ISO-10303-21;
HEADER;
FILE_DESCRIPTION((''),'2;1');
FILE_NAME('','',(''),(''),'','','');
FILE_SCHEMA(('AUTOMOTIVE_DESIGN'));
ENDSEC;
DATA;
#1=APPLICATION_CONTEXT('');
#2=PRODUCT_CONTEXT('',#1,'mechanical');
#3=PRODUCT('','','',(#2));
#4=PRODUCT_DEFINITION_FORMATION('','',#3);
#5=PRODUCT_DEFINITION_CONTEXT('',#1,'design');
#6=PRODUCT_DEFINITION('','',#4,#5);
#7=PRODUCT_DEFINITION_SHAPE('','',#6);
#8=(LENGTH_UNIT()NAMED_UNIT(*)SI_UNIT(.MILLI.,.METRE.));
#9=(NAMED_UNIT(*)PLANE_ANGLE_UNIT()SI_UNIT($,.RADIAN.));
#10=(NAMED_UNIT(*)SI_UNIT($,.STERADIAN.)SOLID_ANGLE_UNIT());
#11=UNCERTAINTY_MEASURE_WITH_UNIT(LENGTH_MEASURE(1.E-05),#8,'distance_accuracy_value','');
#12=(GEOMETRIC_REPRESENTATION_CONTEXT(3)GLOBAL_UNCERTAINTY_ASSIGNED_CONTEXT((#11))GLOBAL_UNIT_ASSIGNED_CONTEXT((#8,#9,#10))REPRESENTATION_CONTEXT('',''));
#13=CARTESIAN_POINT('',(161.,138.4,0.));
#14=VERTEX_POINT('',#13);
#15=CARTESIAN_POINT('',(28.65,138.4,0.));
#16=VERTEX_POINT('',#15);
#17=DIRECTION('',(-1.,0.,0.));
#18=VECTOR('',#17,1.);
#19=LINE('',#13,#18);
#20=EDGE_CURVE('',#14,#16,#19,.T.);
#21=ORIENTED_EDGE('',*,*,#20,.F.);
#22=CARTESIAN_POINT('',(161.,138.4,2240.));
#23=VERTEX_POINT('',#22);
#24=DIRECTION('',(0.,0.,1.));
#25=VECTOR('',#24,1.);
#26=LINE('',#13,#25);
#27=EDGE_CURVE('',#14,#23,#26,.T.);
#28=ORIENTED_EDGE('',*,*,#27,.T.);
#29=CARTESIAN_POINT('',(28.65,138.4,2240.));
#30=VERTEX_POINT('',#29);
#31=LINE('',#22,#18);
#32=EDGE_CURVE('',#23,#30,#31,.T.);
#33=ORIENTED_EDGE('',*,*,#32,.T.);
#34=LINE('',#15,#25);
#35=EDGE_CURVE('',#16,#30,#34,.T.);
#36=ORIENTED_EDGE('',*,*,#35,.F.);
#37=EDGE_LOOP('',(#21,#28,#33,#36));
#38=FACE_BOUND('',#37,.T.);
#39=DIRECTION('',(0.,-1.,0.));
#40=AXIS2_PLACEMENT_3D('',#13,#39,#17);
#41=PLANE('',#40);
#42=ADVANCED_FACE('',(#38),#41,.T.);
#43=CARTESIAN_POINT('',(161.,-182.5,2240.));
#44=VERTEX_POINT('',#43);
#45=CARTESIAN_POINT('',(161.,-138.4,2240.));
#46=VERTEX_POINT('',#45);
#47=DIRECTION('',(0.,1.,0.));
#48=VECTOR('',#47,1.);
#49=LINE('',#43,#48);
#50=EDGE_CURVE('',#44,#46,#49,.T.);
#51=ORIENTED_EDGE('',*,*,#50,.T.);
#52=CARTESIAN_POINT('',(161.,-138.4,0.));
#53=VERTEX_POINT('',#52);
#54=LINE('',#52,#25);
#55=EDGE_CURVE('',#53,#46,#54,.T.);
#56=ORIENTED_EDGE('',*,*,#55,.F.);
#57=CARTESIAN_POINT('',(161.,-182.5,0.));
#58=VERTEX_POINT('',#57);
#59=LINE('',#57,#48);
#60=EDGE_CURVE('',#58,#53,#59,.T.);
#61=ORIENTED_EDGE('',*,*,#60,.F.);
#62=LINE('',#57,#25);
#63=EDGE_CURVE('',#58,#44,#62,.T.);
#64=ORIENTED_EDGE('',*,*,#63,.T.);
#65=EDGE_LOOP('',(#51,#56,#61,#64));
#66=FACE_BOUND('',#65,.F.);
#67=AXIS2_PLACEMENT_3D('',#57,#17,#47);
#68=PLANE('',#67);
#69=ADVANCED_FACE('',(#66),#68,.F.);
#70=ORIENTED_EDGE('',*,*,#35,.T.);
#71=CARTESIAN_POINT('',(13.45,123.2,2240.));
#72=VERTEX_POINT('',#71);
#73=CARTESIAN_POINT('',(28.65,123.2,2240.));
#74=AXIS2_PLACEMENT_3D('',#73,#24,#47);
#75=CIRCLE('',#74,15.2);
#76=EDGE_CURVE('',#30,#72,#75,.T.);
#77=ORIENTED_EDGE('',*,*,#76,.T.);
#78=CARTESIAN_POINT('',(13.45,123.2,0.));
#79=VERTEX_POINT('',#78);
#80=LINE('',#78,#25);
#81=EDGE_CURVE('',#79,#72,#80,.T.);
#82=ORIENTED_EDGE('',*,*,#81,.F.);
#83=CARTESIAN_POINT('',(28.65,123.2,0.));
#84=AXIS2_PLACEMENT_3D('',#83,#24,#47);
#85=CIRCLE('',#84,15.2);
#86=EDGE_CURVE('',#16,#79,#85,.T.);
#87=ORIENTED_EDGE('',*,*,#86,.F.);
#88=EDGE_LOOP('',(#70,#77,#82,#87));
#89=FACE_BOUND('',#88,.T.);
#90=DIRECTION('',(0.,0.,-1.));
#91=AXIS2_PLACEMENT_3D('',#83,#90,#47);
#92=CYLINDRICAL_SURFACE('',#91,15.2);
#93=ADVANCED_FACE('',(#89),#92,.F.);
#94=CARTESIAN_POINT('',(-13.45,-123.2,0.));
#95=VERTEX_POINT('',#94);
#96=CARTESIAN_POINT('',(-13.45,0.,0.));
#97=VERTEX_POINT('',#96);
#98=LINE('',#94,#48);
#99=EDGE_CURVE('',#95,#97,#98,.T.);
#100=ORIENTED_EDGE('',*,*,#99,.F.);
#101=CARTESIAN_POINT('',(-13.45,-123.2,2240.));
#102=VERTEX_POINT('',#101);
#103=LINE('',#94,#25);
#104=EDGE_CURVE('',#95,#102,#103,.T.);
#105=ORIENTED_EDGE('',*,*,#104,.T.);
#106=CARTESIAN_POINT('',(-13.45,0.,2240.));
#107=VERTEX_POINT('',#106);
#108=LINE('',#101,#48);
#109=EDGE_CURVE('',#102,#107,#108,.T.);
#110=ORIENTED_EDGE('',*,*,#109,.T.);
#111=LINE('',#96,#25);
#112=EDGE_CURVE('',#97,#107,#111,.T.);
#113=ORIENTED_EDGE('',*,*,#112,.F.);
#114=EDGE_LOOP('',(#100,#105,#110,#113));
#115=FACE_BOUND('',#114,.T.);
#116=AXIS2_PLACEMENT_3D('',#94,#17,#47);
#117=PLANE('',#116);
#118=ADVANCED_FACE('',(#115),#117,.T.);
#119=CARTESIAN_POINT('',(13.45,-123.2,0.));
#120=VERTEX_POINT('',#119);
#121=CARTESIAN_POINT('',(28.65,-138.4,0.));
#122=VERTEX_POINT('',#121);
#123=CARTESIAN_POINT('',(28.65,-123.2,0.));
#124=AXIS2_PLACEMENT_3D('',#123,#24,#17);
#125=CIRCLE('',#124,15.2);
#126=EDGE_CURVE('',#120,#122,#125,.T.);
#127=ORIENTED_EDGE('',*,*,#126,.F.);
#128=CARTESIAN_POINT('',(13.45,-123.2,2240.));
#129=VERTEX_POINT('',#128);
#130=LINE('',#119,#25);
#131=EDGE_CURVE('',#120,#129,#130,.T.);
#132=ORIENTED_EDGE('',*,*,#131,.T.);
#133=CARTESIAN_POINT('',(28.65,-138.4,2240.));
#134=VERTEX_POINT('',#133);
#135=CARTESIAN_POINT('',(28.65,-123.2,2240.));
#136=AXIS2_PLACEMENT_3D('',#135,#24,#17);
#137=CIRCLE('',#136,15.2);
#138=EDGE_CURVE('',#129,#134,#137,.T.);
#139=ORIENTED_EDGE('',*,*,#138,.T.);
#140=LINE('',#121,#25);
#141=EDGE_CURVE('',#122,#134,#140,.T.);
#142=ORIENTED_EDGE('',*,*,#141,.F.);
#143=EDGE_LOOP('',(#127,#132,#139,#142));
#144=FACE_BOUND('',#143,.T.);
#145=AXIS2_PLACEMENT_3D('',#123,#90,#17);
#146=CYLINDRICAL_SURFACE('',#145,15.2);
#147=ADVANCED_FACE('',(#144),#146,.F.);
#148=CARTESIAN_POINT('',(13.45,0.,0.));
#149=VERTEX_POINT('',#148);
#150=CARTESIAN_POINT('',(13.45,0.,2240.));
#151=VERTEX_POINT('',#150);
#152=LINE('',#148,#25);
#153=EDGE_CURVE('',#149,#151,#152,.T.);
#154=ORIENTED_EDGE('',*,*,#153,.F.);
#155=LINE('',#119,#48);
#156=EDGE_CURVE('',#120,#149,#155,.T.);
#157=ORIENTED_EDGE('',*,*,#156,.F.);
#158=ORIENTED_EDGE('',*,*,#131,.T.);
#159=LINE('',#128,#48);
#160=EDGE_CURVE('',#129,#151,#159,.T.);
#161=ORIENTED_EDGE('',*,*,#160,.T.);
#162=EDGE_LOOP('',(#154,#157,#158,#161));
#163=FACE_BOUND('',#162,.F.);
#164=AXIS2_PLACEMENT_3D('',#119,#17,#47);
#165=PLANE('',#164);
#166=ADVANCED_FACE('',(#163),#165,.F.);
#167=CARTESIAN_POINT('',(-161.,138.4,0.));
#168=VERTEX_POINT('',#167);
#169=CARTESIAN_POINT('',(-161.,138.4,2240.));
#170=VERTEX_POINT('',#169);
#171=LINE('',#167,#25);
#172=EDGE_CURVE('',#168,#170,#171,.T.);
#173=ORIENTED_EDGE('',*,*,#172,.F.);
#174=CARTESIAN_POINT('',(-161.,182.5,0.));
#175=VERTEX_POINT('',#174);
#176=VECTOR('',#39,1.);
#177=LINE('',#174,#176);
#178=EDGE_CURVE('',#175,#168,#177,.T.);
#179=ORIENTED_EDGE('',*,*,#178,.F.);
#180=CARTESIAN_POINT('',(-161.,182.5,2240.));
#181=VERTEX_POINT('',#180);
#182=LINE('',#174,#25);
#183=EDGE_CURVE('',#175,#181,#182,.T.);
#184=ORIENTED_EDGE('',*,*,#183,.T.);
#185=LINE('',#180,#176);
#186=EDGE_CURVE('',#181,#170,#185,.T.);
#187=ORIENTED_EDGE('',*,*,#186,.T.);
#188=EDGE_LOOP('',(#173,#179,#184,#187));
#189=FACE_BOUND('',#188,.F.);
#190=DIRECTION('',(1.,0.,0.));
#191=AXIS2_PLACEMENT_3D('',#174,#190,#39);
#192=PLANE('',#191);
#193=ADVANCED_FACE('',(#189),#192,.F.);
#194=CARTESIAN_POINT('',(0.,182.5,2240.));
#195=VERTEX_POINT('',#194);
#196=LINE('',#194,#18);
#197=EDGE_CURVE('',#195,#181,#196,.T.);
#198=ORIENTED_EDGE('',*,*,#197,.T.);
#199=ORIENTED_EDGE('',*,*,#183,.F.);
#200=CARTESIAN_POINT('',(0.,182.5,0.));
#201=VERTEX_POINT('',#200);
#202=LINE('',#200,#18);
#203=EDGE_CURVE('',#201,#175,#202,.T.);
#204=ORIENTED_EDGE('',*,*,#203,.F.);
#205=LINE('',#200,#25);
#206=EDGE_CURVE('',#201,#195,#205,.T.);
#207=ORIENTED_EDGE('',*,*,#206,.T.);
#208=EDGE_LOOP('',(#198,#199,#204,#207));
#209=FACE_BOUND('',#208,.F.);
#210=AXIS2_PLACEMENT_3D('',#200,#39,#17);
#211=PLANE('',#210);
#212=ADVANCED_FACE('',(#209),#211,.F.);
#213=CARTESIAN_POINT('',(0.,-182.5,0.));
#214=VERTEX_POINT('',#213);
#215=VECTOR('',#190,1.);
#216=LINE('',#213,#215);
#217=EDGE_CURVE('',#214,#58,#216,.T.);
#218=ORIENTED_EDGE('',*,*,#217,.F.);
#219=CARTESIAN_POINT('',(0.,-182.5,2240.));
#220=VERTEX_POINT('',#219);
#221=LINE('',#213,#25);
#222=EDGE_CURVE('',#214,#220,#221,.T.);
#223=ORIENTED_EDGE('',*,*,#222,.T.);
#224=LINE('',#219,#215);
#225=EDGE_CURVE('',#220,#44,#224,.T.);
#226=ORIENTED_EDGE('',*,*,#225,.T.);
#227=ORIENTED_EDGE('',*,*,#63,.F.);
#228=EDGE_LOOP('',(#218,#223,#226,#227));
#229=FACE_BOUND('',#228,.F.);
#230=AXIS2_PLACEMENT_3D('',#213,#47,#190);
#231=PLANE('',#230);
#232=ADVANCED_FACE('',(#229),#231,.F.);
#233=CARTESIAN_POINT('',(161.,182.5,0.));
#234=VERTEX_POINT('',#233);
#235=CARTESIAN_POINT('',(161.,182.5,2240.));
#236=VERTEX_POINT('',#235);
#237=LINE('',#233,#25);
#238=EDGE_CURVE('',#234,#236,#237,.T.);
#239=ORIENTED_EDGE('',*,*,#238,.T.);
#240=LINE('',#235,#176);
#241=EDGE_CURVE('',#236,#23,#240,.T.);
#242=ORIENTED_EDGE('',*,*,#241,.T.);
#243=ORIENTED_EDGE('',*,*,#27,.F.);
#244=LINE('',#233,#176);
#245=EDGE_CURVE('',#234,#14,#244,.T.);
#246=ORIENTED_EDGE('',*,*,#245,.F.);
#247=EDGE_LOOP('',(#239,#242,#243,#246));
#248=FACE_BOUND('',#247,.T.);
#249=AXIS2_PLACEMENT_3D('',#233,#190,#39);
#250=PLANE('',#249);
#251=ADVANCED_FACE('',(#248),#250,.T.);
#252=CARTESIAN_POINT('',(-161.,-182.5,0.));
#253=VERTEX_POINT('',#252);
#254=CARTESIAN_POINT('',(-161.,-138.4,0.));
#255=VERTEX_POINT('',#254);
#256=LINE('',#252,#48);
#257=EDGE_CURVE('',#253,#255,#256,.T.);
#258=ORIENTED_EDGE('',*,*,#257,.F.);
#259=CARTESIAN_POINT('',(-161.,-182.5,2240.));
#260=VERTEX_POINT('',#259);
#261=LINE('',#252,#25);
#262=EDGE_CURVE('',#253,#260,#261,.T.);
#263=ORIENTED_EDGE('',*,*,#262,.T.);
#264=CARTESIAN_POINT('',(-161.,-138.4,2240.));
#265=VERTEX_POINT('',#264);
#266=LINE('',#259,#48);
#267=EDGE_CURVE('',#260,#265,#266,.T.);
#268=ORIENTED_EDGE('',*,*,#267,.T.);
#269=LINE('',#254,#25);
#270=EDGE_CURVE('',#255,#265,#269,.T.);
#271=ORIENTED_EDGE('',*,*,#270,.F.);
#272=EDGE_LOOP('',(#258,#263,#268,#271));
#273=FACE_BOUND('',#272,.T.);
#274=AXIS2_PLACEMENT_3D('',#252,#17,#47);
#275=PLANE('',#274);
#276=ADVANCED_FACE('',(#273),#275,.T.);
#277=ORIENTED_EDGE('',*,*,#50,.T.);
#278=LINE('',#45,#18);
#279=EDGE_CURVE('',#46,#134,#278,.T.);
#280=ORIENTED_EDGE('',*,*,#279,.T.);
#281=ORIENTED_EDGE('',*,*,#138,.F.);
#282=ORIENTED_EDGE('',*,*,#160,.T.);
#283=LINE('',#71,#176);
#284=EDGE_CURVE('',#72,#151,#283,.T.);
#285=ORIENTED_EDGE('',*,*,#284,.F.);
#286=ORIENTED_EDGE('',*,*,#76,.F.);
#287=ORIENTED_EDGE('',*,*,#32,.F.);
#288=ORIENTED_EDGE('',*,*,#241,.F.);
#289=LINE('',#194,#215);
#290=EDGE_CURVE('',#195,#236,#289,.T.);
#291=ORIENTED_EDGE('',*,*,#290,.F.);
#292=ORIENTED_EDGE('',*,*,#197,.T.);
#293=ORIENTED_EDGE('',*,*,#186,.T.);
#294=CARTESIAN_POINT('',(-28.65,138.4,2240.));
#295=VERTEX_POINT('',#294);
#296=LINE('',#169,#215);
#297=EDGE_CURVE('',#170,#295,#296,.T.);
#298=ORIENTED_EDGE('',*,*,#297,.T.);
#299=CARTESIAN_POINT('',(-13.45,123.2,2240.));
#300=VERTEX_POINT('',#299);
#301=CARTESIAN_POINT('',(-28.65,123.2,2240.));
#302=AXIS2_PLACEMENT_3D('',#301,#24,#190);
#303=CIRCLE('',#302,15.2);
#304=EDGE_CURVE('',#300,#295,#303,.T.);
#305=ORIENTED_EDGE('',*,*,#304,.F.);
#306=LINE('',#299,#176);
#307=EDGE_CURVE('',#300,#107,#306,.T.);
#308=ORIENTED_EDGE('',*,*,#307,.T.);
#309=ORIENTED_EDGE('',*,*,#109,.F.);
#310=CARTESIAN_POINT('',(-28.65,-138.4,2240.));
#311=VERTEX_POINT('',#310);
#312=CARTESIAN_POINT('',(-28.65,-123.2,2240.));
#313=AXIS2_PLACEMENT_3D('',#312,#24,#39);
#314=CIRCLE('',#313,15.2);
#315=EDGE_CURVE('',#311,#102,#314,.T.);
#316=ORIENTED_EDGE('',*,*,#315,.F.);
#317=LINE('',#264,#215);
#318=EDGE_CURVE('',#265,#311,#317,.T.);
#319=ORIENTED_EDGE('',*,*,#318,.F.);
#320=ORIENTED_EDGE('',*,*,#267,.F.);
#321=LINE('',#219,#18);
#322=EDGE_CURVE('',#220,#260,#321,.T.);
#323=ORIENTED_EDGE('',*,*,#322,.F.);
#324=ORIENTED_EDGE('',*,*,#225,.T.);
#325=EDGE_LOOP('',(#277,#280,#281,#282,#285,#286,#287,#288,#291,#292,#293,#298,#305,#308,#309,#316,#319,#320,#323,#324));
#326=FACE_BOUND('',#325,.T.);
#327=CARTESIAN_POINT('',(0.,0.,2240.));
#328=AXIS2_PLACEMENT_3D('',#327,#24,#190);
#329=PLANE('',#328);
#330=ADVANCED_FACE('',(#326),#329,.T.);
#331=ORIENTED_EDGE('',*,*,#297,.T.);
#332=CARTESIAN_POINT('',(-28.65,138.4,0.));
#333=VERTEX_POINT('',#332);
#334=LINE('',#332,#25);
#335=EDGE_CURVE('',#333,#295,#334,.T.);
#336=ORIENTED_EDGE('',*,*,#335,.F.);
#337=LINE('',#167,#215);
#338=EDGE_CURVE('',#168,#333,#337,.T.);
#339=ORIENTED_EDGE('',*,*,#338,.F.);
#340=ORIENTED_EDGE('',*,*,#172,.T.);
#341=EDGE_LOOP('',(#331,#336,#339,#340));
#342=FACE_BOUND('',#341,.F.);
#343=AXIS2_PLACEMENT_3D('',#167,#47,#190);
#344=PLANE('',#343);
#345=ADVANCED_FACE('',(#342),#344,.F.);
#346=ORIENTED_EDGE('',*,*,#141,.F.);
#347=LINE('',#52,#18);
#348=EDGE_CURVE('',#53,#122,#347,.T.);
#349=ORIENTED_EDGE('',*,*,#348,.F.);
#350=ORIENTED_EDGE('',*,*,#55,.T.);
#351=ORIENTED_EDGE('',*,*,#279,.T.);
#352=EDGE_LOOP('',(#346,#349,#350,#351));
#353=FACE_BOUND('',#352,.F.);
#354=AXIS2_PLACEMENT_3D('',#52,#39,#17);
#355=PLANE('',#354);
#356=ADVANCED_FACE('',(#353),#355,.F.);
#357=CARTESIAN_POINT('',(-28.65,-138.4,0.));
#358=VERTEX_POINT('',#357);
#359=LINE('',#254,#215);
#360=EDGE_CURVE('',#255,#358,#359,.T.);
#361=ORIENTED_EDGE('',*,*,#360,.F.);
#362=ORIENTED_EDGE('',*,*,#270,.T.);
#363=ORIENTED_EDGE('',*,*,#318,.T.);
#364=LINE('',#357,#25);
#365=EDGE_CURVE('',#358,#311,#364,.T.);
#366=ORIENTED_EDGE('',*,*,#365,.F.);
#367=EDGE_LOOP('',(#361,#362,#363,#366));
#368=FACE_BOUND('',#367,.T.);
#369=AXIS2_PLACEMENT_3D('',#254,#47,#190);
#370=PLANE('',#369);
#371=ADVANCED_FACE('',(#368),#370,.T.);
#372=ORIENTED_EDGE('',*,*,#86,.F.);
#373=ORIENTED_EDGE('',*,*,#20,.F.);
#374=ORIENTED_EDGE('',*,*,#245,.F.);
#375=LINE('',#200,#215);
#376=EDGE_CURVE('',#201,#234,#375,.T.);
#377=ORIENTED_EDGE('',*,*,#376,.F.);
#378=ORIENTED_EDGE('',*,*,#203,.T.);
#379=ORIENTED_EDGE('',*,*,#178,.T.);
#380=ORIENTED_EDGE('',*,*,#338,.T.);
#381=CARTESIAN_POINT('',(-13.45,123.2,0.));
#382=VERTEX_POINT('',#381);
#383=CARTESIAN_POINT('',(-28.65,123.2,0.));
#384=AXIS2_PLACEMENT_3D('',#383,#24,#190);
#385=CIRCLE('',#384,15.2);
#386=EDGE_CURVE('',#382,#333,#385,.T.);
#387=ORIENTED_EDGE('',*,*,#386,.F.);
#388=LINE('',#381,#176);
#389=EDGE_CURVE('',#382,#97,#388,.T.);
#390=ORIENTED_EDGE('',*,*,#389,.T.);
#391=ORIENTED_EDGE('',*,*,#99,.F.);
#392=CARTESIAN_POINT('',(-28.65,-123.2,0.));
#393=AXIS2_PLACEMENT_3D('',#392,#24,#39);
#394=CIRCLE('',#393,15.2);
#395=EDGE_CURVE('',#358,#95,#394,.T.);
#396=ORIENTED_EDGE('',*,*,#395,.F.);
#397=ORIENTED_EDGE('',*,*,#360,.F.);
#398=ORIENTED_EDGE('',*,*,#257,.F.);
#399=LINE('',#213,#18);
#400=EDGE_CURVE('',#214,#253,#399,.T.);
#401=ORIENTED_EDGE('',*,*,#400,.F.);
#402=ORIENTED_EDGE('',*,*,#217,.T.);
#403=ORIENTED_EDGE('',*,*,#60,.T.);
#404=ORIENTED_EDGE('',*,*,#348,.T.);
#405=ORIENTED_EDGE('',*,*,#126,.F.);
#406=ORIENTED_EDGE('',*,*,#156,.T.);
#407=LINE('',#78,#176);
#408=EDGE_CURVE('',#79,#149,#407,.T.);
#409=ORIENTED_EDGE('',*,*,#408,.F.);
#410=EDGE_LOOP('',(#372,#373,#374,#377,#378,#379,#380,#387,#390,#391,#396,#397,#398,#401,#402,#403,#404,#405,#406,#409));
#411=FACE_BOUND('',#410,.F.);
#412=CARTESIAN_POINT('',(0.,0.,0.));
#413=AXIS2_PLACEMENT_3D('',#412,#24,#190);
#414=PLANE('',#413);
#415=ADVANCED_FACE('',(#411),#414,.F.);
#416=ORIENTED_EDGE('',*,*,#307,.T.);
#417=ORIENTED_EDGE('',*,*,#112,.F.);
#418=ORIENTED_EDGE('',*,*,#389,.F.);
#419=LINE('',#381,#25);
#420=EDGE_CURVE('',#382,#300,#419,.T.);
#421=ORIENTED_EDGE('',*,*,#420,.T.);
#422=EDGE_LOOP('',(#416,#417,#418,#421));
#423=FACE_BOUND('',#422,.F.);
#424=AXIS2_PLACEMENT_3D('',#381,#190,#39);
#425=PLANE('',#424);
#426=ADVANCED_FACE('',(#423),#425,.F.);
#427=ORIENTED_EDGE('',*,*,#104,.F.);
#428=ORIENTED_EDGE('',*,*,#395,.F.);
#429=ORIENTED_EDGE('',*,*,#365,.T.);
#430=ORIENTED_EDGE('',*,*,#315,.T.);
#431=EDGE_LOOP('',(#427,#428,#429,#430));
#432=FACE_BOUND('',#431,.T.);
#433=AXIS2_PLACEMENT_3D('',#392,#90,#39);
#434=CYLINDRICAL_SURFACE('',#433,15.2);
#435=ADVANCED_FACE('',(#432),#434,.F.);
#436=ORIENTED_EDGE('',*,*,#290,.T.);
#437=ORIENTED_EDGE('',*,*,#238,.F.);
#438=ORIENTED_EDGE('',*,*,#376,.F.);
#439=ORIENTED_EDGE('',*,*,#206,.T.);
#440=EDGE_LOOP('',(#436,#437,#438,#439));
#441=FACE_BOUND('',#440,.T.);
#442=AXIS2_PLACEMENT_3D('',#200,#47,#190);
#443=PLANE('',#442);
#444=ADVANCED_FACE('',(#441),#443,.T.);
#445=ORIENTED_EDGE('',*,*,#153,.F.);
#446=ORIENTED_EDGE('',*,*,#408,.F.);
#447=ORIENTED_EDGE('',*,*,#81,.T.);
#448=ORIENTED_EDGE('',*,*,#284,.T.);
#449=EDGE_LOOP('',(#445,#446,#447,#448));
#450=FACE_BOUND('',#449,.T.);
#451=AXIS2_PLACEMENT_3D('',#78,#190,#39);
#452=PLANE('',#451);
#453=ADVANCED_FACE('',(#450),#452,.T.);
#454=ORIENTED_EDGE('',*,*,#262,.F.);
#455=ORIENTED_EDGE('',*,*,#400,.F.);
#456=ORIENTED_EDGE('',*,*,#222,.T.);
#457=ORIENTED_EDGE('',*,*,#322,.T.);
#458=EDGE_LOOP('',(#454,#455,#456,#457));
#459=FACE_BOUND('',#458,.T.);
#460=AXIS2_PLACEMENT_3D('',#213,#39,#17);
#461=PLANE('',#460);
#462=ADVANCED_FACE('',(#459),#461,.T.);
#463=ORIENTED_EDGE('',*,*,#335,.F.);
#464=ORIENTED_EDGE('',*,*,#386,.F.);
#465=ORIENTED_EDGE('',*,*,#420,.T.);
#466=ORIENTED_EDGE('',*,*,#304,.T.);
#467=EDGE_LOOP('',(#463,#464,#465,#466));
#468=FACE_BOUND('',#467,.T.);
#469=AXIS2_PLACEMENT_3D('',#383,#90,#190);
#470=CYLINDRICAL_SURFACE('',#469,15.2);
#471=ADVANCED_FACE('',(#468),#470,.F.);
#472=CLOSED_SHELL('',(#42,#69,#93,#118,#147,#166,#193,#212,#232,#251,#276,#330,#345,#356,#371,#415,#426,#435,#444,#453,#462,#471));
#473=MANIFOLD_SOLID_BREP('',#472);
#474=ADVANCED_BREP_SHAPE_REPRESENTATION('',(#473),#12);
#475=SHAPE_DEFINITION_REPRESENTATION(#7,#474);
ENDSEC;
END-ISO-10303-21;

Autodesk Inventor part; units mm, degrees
ref_plane "YZ Plane" through (0, 0, 0) normal (1, 0, 0) x (0, 1, 0)
ref_plane "Start plane" through (0, 0, 0) normal (0, 0, 1) x (1, 0, 0)
ref_plane "End plane" through (0, 0, 2240) normal (0, 0, 1) x (1, 0, 0)
sketch "Sketch" plane through (0, 0, 0) normal (0, 0, 1) x (1, 0, 0)
  line L0 (-161, -182.5) -> (-161, -138.4)
  line L1 (-161, -138.4) -> (-28.65, -138.4)
  line L2 (-13.45, -123.2) -> (-13.45, 0)
  line L3 (-13.45, 0) -> (0, 0) construction
  line L4 (0, 0) -> (0, -182.5) construction
  line L5 (0, -182.5) -> (-161, -182.5)
  line L6 (-60, 0) -> (80, 0) construction
  line L7 (0, -60) -> (0, 80) construction
  line L8 (161, -182.5) -> (161, -138.4)
  line L9 (161, -138.4) -> (28.65, -138.4)
  line L10 (13.45, -123.2) -> (13.45, 0)
  line L11 (13.45, 0) -> (0, 0) construction
  line L12 (0, -182.5) -> (161, -182.5)
  line L13 (-161, 182.5) -> (-161, 138.4)
  line L14 (-161, 138.4) -> (-28.65, 138.4)
  line L15 (-13.45, 123.2) -> (-13.45, 0)
  line L16 (0, 182.5) -> (-161, 182.5)
  line L17 (161, 182.5) -> (161, 138.4)
  line L18 (161, 138.4) -> (28.65, 138.4)
  line L19 (0, 182.5) -> (161, 182.5)
  line L20 (13.45, 123.2) -> (13.45, 0)
  arc A0 (-13.45, 123.2) -> (-28.65, 138.4) centre (-28.65, 123.2) ccw
  arc A1 (28.65, 138.4) -> (13.45, 123.2) centre (28.65, 123.2) ccw
  arc A2 (13.45, -123.2) -> (28.65, -138.4) centre (28.65, -123.2) ccw
  arc A3 (-28.65, -138.4) -> (-13.45, -123.2) centre (-28.65, -123.2) ccw
  line L21 (0, 108) -> (0, -88) construction
  line L22 (-88, 0) -> (108, 0) construction
  point P0 (-13.45, -138.4)
  point P1 (13.45, -138.4)
  point P2 (-13.45, 138.4)
  point P3 (13.45, 138.4)
  dimension "d1" = 182.5
  dimension "d2" = 44.1
  dimension "d3" = 161
  dimension "d4" = 13.45
  dimension "d10" = 15.2
extrude "Body" add sketch "Sketch" along normal up to surface (2240 mm away) from surface at 0
sketch "Sketch4" plane through (0, 0, 0) normal (0, 0, 1) x (1, 0, 0)
  line L0 (0, 0) -> (10, 0)
ref_plane "Work Plane3" through (0, 0, 0) normal (0, -1, 0) x (1, 0, 0)
sketch "Sketch5" plane through (0, 0, 0) normal (0, -1, 0) x (1, 0, 0)
  line L0 (-2, 0) -> (12, 0) projected
  line L1 (-2, 2240) -> (12, 2240) projected
  dimension "d14" = 2240
equation "\"d1\" = 0.5 * G_H"
equation "\"d2\" = G_T1"
equation "\"d3\" = 0.5 * G_W"
equation "\"d4\" = 0.5 * G_T"
equation "\"d10\" = G_IR"
equation "\"d5\" = G_L"
equation "\"G_W\" = 322"
equation "\"G_H\" = 365"
equation "\"G_T\" = 26.9"
equation "\"G_T1\" = 44.1"
equation "\"G_IR\" = 15.2"
equation "\"G_L\" = d14"
equation "\"G_OFFSET_START\" = 0"
equation "\"G_OFFSET_END\" = 0"
properties part number "AS 3679 - 310 UC - 283 - 2240" material "Steel, Mild"
